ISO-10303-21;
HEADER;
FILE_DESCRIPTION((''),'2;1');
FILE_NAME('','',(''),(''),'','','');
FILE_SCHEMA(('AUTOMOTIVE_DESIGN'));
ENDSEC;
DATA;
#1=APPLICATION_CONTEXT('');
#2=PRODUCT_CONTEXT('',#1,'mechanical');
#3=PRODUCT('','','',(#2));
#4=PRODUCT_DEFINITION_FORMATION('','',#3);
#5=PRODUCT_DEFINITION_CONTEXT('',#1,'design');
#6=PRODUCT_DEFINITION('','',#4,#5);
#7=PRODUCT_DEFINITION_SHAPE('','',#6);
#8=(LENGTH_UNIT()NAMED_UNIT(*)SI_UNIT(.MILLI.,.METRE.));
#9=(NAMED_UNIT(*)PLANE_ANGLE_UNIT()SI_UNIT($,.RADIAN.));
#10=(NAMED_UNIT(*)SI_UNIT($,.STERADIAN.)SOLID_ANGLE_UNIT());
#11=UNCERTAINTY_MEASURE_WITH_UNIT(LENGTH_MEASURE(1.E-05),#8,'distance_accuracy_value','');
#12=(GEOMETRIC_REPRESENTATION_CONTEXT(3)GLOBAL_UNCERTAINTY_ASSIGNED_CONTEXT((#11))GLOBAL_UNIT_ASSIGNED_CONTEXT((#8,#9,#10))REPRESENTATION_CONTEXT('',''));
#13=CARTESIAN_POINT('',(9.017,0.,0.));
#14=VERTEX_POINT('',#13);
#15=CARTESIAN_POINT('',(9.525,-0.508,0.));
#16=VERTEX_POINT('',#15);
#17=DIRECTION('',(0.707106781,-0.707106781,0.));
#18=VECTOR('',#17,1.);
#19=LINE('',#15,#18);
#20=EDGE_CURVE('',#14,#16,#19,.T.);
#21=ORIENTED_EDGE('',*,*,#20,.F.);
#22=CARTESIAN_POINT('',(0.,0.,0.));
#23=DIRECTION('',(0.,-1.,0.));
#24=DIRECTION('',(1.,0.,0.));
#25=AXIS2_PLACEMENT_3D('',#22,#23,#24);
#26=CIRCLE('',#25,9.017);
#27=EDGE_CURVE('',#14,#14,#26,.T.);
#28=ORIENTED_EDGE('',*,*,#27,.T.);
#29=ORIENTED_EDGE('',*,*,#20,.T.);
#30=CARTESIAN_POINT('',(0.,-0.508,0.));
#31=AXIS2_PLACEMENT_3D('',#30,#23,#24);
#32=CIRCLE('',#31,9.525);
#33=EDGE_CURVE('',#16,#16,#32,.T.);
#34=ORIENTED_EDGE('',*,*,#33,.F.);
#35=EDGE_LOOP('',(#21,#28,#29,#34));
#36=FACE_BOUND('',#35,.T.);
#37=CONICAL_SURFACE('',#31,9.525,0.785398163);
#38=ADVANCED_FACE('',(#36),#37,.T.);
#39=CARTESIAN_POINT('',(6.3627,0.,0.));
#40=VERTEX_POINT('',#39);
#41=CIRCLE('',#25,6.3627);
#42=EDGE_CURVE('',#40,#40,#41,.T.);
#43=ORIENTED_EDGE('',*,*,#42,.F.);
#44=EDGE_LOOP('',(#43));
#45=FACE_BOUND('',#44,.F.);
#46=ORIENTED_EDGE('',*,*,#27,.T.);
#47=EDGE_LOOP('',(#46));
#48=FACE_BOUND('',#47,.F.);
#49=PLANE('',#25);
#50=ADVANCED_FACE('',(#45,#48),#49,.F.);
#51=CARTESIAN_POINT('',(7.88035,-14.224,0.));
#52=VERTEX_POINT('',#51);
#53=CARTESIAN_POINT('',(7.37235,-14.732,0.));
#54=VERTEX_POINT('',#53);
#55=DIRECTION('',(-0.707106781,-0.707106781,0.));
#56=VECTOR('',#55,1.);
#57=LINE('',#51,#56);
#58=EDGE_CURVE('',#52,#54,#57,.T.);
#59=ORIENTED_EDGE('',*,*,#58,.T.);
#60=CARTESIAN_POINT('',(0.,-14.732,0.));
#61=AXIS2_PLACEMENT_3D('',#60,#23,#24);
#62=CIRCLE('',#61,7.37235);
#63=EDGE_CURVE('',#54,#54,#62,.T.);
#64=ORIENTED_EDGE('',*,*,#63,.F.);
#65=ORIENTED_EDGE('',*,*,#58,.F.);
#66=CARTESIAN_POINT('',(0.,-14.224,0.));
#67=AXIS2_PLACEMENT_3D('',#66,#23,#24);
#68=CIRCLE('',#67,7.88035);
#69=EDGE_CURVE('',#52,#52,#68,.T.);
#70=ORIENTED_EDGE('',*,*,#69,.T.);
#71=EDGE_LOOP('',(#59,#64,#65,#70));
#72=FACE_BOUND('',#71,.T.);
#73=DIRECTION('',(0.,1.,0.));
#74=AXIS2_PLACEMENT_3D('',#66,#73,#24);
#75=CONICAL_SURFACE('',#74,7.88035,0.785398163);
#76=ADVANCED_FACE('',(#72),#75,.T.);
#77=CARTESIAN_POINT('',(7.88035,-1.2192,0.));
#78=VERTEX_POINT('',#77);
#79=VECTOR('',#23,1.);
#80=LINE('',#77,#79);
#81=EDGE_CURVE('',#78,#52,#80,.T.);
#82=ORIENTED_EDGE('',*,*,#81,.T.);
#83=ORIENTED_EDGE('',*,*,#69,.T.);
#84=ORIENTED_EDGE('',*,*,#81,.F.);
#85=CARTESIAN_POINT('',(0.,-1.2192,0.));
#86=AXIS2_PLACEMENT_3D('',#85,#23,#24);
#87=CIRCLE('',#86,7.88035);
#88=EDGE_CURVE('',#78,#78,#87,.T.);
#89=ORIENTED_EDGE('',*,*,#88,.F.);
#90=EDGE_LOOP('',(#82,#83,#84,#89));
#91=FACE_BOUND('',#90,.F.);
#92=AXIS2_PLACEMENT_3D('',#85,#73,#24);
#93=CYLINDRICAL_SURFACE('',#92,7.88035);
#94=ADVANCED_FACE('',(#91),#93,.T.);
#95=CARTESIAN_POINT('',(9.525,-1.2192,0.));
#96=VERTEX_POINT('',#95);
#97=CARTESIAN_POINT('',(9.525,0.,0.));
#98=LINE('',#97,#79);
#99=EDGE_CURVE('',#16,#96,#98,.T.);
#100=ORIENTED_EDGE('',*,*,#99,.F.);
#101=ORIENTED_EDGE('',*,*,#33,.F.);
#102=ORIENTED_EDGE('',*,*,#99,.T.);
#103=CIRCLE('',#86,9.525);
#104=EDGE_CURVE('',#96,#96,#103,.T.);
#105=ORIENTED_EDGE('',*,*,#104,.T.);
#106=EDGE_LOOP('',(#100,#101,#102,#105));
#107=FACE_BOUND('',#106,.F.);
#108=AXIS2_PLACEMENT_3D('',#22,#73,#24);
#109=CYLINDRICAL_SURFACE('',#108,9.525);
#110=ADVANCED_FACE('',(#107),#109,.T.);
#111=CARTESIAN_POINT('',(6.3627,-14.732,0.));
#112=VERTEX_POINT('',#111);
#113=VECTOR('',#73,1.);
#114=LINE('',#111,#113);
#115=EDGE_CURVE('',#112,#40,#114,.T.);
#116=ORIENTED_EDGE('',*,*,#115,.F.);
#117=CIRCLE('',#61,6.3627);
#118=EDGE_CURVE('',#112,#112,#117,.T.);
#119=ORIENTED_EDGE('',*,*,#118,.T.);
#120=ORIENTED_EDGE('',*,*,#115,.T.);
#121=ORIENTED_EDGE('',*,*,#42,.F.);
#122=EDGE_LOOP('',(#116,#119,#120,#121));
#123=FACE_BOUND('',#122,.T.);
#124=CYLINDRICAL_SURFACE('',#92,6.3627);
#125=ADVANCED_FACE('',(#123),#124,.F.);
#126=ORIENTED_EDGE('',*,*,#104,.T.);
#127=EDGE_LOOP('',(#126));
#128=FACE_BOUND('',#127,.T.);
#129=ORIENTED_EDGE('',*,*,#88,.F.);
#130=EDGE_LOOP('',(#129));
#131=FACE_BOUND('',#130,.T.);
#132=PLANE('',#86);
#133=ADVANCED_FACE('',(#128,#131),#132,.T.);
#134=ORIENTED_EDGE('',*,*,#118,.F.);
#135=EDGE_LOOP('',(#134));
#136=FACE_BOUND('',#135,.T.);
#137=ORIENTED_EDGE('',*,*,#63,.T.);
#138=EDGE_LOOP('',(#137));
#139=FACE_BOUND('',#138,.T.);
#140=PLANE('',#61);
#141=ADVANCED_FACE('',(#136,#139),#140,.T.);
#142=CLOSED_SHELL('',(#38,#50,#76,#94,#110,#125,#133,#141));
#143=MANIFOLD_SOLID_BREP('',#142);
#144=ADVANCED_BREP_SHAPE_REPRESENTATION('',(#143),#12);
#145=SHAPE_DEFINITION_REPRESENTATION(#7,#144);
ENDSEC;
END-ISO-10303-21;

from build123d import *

# Parameters (mm, degrees)
F0_R     = 9.525
F0_R_2   = 6.3627
F1_DEPTH = 1.2192
F2_R     = 7.88035
F2_R_2   = 6.3627
F3_DEPTH = 13.5128
F4_SIZE2 = 0.508
F4_SIZE  = 0.508


with BuildPart() as f1:
    # F0 (on Front) → F1 (new body)
    with BuildSketch(Plane.XZ):
        Circle(F0_R)
        Circle(F0_R_2, mode=Mode.SUBTRACT)
    extrude(amount=F1_DEPTH)

    # F2 (on face) → F3 (join)
    with BuildSketch(Plane.XZ.offset(1.2192)):
        Circle(F2_R)
        Circle(F2_R_2, mode=Mode.SUBTRACT)
    extrude(amount=F3_DEPTH)

    # F4
    f4_edges = [f1.edges().sort_by_distance(p)[0] for p in [
        (-9.525, 0, 0),
        (-7.88035, -14.732, 0),
    ]]
    chamfer(f4_edges, length=F4_SIZE, length2=F4_SIZE2)


solid = f1.part
